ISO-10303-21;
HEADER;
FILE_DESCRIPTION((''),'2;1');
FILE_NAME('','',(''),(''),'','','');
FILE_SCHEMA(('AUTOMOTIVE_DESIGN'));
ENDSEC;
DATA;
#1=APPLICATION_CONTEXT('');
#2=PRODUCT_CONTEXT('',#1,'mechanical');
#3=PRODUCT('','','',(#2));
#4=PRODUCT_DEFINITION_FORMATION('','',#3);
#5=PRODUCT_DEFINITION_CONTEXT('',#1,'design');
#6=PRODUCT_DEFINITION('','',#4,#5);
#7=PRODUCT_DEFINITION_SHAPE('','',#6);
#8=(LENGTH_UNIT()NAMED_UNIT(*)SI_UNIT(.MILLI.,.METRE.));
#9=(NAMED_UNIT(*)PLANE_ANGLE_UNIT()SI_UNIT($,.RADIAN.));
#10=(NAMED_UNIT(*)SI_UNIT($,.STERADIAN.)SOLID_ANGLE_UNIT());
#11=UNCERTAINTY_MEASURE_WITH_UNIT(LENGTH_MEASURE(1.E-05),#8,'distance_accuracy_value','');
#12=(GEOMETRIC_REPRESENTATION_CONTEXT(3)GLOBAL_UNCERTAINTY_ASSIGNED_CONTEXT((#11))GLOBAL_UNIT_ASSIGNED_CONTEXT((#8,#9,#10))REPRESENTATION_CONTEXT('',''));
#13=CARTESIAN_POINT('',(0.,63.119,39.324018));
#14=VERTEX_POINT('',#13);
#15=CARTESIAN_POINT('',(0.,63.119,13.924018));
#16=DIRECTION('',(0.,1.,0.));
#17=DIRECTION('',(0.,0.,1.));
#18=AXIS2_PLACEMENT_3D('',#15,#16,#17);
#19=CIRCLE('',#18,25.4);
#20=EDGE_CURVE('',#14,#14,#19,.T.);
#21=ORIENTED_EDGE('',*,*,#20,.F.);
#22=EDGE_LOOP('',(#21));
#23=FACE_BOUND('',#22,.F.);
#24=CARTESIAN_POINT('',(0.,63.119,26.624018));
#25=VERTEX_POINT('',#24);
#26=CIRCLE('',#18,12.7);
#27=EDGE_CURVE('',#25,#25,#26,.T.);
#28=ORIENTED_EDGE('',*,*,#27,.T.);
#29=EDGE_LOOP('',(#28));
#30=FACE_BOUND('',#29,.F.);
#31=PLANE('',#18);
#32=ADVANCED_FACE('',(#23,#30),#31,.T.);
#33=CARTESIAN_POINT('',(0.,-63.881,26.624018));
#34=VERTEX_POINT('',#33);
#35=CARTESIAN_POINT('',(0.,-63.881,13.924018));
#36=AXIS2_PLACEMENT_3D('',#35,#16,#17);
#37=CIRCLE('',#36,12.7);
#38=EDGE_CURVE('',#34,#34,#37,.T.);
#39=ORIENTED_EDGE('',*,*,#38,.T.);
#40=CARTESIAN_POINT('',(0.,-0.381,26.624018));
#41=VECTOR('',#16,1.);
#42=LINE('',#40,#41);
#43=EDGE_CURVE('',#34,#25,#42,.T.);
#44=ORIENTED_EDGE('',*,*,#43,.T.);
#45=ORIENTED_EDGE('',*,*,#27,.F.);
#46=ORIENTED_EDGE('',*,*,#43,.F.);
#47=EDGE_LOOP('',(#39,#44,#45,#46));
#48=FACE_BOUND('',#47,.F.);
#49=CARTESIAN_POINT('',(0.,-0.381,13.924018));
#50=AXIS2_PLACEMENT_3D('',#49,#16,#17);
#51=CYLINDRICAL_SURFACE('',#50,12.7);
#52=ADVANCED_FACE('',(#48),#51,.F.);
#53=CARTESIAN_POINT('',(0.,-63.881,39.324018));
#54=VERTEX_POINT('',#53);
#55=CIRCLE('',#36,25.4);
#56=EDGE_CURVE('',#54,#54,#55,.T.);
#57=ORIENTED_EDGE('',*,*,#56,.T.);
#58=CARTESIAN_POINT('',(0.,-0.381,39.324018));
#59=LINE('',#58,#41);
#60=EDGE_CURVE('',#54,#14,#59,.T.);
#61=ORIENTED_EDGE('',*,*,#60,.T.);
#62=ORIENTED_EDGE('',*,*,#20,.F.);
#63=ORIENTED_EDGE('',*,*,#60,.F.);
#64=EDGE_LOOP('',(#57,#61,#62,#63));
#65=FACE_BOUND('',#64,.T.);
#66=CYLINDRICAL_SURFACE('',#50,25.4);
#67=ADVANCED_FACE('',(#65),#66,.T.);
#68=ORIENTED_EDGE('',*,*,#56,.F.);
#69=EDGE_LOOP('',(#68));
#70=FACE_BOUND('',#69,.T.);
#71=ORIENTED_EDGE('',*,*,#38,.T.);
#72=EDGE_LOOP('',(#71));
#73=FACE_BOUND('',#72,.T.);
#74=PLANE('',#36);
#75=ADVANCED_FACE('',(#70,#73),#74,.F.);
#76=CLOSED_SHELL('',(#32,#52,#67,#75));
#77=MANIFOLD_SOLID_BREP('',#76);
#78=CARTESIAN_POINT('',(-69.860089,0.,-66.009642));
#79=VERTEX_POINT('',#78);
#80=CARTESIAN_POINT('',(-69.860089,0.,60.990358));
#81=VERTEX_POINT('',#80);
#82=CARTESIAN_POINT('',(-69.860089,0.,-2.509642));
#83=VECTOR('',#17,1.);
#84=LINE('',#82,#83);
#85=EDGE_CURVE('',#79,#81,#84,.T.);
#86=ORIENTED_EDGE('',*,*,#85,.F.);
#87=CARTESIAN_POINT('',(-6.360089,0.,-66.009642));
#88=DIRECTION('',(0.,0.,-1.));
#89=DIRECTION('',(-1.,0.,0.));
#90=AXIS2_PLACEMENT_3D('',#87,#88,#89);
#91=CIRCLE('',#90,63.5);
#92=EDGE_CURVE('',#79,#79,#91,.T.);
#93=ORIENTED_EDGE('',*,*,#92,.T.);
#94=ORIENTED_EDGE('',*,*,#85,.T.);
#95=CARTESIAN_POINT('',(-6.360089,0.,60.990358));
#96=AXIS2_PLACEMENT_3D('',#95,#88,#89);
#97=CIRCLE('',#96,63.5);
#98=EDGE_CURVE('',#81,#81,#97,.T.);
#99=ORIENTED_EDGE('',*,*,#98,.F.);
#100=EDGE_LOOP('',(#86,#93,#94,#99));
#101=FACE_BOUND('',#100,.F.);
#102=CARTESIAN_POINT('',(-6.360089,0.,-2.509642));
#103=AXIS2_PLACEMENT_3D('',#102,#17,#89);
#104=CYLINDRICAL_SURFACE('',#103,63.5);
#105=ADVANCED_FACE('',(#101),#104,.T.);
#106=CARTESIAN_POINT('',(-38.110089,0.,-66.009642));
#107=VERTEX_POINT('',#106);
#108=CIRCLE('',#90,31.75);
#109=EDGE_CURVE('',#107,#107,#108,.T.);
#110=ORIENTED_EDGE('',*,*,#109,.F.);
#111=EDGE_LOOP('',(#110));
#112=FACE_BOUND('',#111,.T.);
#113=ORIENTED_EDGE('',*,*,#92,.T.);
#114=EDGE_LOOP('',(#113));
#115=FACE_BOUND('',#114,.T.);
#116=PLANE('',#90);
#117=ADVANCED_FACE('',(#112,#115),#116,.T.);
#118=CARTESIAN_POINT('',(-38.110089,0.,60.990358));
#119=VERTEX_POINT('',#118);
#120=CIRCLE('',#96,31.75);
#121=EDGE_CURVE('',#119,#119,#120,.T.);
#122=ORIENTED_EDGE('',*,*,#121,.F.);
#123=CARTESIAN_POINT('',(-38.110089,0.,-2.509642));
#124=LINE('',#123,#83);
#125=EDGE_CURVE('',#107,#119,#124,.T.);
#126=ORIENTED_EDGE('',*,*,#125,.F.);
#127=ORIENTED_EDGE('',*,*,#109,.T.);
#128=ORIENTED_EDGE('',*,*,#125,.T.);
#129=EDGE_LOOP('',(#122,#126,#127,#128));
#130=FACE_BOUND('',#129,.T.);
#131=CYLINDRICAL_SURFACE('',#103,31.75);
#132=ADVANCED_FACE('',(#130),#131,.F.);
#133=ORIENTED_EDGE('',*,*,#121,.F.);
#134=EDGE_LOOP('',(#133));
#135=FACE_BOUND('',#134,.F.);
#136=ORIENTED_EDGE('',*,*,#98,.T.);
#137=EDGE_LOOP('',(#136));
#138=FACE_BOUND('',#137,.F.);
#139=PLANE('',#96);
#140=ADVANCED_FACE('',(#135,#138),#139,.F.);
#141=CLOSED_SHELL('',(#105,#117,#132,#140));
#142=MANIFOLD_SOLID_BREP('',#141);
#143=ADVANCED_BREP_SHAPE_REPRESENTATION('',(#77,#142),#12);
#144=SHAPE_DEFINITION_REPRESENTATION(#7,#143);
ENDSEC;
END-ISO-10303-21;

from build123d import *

# Parameters (mm, degrees)
F0_W = 31.75
F0_H = 127
F2_W = 127
F2_H = 12.7


with BuildPart() as f1:
    # F0 (on Front) → F1 (revolve)
    with BuildSketch(Plane.XZ):
        with Locations((-53.985089, -2.509642)):
            Rectangle(F0_W, F0_H)
    revolve(axis=Axis((-6.360089, 0, -2.509642), (0, 0, -1)))


with BuildPart() as f3:
    # F2 (on Right) → F3 (revolve)
    with BuildSketch(Plane.YZ):
        with Locations((-0.381, 32.974018)):
            Rectangle(F2_W, F2_H)
    revolve(axis=Axis((0, -0.381, 13.924018), (0, 1, 0)))


solid = Compound([f1.part, f3.part])
